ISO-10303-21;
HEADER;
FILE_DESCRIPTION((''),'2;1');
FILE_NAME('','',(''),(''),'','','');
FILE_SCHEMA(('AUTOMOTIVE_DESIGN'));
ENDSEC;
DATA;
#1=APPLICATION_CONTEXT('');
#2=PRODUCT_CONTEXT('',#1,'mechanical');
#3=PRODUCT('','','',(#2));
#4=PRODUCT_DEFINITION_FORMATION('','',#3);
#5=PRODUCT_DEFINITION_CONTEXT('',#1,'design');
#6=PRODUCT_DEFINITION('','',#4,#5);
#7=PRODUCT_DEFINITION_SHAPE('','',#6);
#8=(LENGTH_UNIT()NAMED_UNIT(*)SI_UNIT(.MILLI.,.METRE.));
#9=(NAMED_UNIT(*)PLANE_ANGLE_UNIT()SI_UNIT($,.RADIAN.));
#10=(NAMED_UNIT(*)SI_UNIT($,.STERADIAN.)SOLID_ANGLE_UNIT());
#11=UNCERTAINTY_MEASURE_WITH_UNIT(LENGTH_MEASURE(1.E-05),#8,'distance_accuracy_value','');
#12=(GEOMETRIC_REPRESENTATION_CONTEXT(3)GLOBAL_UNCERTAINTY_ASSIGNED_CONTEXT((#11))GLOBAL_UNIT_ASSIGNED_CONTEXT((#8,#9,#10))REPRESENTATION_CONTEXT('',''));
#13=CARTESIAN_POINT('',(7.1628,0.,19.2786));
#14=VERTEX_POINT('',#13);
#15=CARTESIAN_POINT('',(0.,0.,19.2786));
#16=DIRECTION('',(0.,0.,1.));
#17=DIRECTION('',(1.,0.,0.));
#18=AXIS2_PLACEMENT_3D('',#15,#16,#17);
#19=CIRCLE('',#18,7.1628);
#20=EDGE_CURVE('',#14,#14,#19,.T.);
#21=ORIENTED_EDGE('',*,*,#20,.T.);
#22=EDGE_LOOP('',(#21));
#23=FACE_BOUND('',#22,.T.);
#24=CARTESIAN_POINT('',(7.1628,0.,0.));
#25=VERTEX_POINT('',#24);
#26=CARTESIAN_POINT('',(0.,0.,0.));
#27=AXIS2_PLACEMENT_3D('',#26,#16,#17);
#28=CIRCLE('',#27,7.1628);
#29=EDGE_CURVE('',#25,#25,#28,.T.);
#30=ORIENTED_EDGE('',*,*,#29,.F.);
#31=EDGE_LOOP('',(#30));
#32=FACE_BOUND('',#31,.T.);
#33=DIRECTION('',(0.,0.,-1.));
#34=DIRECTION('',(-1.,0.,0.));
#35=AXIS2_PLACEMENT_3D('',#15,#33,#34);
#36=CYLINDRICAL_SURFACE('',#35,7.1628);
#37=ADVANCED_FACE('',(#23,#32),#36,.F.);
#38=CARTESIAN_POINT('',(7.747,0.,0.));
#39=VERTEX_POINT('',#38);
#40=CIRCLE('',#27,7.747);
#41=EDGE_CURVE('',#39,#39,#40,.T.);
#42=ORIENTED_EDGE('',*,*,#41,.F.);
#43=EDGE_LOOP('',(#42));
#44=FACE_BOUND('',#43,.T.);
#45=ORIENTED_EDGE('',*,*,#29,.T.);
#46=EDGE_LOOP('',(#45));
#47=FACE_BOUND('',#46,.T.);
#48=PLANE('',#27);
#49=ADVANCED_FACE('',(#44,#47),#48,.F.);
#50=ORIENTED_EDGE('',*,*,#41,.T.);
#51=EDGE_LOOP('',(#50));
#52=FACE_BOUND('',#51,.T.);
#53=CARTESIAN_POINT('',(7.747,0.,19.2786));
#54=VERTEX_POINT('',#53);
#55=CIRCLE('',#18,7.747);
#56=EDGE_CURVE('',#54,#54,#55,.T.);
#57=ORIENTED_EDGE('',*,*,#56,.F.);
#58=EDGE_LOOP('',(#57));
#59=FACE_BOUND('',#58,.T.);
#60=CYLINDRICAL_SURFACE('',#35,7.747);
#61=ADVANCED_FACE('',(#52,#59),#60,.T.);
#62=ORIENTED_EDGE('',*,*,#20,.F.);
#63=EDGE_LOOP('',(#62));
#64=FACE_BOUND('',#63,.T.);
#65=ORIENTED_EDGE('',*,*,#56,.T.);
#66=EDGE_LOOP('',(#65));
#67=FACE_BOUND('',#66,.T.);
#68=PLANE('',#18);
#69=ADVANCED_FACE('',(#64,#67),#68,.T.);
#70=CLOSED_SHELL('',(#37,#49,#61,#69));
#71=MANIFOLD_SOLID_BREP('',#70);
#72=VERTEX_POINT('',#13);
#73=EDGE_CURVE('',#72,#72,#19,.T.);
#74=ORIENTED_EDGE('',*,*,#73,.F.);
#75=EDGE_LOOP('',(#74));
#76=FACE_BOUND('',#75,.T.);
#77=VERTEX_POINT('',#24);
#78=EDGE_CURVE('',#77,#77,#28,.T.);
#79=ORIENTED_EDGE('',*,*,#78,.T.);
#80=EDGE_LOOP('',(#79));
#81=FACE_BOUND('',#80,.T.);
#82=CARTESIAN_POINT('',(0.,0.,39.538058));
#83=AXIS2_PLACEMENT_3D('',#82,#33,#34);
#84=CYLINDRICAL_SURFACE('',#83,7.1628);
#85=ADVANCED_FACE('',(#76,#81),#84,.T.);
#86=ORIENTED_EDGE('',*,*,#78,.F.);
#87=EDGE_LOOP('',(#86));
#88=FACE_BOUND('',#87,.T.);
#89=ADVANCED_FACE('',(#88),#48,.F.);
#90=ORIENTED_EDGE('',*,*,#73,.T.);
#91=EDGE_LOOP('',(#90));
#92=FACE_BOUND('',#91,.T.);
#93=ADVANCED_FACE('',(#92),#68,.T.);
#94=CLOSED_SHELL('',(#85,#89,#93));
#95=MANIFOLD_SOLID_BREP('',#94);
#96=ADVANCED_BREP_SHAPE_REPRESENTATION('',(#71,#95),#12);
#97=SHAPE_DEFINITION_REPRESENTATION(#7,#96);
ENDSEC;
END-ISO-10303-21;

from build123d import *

# Parameters (mm, degrees)
SKETCH1_R           = 7.747
SKETCH1_R_2         = 7.1628
BOSS_EXTRUDE1_DEPTH = 19.2786
SKETCH2_R           = 7.1628
BOSS_EXTRUDE2_DEPTH = 19.2786


with BuildPart() as part:
    # Sketch1 → Boss-Extrude1 (new body)
    with BuildSketch(Plane.XY):
        Circle(SKETCH1_R)
        Circle(SKETCH1_R_2, mode=Mode.SUBTRACT)
    extrude(amount=BOSS_EXTRUDE1_DEPTH)


with BuildPart() as body_2:
    # Sketch2 → Boss-Extrude2 (new body)
    with BuildSketch(Plane.XY):
        Circle(SKETCH2_R)
    extrude(amount=BOSS_EXTRUDE2_DEPTH)


solid = Compound([part.part, body_2.part])
